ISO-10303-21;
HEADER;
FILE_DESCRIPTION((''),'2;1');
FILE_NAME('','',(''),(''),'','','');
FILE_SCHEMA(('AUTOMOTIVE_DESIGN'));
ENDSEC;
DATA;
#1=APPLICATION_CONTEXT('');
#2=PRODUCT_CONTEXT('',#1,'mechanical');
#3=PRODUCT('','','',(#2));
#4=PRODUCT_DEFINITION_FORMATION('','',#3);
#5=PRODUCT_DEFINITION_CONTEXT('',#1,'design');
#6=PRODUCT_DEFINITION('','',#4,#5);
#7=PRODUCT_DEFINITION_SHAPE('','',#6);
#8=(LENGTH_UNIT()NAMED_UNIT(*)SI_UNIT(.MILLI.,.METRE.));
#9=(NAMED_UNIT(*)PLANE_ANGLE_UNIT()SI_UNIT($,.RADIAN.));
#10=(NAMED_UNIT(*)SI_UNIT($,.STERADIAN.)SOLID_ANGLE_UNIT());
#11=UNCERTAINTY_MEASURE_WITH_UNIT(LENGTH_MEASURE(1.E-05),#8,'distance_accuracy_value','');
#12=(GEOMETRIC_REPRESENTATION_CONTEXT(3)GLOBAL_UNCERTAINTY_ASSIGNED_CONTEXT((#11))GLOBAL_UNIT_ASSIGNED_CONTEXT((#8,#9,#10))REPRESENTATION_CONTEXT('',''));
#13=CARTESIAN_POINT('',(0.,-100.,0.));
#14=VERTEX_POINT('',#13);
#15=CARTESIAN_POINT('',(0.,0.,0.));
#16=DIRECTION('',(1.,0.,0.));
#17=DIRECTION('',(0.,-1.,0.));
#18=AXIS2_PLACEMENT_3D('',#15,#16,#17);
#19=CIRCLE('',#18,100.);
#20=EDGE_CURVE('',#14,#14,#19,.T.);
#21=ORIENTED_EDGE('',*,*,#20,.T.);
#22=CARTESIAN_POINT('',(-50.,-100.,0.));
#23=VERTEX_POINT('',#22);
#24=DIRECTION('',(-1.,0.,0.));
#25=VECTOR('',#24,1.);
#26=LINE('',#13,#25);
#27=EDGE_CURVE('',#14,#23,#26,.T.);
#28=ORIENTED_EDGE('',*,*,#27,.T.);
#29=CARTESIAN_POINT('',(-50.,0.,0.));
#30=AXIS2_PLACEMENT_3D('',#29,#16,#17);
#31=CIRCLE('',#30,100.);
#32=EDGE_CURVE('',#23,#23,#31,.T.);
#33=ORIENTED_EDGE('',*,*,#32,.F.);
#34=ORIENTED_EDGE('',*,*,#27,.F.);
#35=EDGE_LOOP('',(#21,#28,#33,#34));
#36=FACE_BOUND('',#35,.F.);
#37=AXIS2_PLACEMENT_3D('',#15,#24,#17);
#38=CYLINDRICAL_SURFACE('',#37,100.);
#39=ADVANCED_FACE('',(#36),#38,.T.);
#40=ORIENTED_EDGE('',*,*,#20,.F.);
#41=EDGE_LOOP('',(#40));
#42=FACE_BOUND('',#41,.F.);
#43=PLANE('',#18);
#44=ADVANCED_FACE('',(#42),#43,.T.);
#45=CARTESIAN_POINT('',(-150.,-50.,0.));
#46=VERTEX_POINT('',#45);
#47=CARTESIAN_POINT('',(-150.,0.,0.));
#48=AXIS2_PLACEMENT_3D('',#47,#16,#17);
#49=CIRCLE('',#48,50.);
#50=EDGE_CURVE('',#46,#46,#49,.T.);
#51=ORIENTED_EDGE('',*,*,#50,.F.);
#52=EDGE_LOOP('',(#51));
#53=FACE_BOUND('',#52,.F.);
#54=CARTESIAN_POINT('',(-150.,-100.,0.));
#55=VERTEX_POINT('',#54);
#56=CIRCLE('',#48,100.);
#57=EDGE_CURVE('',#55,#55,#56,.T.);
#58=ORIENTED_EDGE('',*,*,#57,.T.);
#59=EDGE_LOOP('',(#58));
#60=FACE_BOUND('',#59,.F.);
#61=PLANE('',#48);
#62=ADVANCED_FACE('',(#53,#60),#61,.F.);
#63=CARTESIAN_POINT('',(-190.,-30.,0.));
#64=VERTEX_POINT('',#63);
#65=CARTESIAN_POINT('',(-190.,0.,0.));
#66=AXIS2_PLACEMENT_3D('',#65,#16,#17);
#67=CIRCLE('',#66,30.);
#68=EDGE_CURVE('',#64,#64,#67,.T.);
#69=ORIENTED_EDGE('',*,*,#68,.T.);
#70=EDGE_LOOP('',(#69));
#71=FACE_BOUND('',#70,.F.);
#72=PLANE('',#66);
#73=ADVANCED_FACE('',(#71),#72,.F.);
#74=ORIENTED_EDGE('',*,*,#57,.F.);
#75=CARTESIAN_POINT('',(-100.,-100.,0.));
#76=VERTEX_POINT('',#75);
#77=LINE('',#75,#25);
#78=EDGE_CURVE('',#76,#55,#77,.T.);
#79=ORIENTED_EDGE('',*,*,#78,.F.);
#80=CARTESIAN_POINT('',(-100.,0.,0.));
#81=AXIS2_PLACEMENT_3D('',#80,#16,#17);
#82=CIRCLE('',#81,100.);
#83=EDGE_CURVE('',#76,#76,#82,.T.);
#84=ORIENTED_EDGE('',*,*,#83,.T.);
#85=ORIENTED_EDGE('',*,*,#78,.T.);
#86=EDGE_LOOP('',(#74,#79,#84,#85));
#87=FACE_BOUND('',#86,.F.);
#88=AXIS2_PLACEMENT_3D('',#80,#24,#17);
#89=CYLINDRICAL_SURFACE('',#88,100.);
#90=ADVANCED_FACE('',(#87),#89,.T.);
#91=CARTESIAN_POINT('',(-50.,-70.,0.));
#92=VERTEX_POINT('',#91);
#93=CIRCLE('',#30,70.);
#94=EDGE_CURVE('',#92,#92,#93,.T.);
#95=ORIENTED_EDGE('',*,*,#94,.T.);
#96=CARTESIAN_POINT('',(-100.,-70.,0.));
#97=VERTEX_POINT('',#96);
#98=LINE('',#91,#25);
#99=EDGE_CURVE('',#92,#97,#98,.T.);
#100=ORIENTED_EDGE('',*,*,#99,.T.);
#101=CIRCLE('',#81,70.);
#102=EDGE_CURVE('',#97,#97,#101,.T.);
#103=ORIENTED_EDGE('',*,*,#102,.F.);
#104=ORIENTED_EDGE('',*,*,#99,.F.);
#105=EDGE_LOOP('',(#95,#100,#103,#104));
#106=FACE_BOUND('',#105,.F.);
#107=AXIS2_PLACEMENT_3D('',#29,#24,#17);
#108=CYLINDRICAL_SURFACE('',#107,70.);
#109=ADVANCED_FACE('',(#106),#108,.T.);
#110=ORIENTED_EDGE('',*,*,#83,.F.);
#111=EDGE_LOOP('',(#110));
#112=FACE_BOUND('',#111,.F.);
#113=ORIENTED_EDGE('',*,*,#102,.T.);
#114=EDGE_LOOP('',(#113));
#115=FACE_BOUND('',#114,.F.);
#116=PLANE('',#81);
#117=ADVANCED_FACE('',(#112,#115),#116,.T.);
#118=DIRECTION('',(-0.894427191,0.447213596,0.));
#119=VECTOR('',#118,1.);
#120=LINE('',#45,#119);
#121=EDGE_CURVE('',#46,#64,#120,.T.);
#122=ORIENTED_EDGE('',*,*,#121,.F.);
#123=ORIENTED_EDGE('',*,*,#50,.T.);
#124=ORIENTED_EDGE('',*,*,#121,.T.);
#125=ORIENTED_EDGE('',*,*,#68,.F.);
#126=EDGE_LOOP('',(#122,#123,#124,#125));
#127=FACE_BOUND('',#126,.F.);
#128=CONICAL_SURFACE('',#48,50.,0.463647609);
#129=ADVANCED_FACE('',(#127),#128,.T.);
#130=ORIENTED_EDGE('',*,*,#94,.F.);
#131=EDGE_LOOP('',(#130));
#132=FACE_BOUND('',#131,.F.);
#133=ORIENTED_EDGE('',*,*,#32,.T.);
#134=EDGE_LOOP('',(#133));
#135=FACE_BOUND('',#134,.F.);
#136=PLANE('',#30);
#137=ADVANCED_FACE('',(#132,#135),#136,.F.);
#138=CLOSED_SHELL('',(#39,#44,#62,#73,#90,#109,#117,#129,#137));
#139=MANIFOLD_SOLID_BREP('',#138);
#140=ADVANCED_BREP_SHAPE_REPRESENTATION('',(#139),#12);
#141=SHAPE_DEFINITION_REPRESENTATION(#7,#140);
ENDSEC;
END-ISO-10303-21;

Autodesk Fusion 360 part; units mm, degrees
sketch "Sketch1" plane through (0, 0, 0) normal (0, 0, 1) x (1, 0, 0)
  line L0 (0, 0) -> (0, -100)
  line L1 (0, -100) -> (-50, -100)
  line L2 (-100, -100) -> (-150, -100)
  line L3 (-150, -100) -> (-150, -50)
  line L4 (-150, -50) -> (-190, -30)
  line L5 (-190, -30) -> (-190, 0)
  line L6 (-190, 0) -> (0, 0)
  line L7 (-50, -100) -> (-50, -70)
  line L8 (-50, -70) -> (-100, -70)
  line L9 (-100, -70) -> (-100, -100)
revolve "Revolve1" add sketch "Sketch1" angle 360 about axis through (-190, 0, 0) along (1, 0, 0)
